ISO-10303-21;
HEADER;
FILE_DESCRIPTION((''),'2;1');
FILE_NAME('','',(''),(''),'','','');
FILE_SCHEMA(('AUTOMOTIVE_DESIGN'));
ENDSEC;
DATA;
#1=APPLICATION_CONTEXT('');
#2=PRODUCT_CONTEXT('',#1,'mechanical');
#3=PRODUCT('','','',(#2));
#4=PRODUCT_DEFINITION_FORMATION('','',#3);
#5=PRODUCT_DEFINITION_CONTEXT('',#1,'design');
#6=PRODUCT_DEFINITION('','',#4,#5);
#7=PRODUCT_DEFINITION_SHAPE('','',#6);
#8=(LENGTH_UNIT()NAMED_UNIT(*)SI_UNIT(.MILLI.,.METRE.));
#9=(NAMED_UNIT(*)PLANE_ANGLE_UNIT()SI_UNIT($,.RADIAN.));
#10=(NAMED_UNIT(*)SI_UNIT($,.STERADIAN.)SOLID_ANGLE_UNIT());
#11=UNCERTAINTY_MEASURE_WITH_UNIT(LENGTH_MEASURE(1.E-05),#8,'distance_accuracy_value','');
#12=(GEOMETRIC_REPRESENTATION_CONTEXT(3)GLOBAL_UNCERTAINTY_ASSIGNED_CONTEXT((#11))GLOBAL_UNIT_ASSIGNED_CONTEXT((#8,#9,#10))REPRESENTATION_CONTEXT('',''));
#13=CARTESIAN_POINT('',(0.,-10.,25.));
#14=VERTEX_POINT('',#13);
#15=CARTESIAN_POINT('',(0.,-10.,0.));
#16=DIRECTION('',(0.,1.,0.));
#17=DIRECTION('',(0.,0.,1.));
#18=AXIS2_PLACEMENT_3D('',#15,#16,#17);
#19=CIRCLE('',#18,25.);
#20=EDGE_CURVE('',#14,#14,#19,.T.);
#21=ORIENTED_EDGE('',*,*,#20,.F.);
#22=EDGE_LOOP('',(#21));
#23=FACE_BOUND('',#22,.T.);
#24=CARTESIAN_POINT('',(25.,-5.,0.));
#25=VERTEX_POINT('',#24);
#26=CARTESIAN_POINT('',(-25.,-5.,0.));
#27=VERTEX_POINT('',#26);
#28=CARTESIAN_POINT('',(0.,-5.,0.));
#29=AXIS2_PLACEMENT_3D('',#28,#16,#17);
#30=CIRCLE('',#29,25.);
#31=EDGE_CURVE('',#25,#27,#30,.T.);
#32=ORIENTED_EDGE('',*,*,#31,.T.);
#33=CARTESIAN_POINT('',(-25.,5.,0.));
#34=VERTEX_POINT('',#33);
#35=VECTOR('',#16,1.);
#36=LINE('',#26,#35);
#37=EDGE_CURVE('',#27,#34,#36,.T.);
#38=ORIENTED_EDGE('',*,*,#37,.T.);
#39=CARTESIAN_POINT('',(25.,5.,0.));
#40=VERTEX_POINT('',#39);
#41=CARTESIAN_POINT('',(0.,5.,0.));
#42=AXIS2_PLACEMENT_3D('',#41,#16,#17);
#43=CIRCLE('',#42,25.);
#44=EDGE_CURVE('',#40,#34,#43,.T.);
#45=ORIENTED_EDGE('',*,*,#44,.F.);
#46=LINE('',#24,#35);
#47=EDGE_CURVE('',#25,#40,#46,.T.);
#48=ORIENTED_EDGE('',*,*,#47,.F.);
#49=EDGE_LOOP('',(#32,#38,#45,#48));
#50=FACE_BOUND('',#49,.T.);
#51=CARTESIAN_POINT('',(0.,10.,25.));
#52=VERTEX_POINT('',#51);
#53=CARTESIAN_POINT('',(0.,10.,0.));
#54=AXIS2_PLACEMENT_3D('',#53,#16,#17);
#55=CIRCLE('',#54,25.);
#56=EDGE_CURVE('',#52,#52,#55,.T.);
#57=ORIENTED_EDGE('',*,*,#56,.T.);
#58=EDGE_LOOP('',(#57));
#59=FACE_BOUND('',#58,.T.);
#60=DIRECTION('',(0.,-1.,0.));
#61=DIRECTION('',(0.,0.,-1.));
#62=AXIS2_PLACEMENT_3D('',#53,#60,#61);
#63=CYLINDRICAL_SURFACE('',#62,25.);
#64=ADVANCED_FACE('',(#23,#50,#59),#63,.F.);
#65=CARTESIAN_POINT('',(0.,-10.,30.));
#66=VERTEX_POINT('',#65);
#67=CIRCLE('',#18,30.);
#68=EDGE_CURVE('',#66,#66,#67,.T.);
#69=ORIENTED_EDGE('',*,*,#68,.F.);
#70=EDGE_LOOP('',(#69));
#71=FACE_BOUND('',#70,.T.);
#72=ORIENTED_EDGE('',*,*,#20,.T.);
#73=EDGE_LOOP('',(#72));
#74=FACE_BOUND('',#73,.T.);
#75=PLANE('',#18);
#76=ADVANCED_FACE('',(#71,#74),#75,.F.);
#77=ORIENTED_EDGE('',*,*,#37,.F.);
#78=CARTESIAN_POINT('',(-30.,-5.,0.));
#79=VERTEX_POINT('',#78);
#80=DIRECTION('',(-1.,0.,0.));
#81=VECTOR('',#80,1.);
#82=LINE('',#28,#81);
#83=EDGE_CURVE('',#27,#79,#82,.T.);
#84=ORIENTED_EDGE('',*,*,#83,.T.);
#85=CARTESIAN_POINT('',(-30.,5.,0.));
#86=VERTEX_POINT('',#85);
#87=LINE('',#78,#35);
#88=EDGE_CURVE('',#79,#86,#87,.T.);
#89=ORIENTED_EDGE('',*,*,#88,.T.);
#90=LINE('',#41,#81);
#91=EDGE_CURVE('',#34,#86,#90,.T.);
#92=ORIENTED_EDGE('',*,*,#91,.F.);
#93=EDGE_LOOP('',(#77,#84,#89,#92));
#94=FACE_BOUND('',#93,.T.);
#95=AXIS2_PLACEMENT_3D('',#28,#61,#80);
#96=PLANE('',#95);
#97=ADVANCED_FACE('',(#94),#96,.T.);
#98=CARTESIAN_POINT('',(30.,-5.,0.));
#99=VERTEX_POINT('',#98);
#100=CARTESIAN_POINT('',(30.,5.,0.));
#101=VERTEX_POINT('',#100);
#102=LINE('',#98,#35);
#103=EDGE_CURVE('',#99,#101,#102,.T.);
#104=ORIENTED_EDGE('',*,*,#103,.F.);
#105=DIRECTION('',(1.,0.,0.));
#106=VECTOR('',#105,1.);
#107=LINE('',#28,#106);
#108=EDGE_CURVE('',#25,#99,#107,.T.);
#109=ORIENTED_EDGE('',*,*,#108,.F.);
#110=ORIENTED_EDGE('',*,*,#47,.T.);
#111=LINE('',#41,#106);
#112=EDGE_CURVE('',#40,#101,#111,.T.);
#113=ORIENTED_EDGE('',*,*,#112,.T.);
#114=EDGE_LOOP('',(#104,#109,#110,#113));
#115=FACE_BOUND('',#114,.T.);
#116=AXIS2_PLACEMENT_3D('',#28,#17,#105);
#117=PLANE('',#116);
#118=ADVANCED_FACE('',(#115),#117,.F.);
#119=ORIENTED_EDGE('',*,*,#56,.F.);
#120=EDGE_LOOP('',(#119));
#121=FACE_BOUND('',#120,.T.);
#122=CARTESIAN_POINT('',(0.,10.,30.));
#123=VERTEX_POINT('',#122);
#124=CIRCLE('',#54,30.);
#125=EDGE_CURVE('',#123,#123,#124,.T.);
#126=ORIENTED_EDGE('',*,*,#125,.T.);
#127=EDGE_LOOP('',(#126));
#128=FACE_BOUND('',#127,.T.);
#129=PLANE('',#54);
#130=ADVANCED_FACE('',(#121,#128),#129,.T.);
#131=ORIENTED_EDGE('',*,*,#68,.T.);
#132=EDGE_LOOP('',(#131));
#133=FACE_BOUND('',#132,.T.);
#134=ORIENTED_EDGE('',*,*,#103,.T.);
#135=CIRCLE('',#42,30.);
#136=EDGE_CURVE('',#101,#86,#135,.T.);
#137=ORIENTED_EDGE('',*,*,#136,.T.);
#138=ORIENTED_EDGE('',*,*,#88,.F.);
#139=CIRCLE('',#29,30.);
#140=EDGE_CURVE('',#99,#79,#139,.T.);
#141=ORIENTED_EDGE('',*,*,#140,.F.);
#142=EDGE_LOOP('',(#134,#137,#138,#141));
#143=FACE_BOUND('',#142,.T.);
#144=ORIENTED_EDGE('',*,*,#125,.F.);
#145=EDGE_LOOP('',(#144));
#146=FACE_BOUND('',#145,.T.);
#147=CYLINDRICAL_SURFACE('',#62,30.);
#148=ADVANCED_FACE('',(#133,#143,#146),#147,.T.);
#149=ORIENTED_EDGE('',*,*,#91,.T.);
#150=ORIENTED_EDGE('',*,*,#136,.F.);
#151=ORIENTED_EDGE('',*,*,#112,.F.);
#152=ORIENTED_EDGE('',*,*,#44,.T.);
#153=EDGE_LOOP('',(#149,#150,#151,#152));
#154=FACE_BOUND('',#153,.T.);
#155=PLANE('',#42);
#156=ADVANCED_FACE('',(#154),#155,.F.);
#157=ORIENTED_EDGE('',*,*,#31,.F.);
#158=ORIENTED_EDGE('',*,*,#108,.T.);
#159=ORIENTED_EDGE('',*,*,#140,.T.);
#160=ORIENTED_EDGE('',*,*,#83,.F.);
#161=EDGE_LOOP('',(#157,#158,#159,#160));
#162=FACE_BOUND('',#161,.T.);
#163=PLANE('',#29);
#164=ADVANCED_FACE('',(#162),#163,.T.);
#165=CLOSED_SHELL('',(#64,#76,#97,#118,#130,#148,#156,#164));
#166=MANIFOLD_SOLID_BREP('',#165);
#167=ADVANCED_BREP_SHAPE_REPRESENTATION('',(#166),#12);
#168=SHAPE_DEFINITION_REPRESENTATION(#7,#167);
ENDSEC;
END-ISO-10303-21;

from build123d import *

# Parameters (mm, degrees)
SKETCH1_R           = 30
SKETCH1_R_2         = 25
BOSS_EXTRUDE1_DEPTH = 10
CUT_EXTRUDE1_DEPTH  = 5


with BuildPart() as part:
    # Sketch1 → Boss-Extrude1 (new, symmetric)
    with BuildSketch(Plane(origin=(0, 0, 0), x_dir=(1, 0, 0), z_dir=(0, 1, 0))):
        with Locations(Location((0, 0, 0), (0, 0, 270))):
            Circle(SKETCH1_R)
        with Locations(Location((0, 0, 0), (0, 0, 270))):
            Circle(SKETCH1_R_2, mode=Mode.SUBTRACT)
    extrude(amount=BOSS_EXTRUDE1_DEPTH, both=True)

    # Sketch3 → Cut-Extrude1 (cut, symmetric)
    with BuildSketch(Plane(origin=(0, 0, 0), x_dir=(1, 0, 0), z_dir=(0, 1, 0))):
        with BuildLine():
            ThreePointArc((-25, 0), (0, 25), (25, 0))
            Line((25, 0), (30, 0))
            ThreePointArc((30, 0), (0, 30), (-30, 0))
            Line((-30, 0), (-25, 0))
        make_face()
    extrude(amount=CUT_EXTRUDE1_DEPTH, both=True, mode=Mode.SUBTRACT)


solid = part.part
